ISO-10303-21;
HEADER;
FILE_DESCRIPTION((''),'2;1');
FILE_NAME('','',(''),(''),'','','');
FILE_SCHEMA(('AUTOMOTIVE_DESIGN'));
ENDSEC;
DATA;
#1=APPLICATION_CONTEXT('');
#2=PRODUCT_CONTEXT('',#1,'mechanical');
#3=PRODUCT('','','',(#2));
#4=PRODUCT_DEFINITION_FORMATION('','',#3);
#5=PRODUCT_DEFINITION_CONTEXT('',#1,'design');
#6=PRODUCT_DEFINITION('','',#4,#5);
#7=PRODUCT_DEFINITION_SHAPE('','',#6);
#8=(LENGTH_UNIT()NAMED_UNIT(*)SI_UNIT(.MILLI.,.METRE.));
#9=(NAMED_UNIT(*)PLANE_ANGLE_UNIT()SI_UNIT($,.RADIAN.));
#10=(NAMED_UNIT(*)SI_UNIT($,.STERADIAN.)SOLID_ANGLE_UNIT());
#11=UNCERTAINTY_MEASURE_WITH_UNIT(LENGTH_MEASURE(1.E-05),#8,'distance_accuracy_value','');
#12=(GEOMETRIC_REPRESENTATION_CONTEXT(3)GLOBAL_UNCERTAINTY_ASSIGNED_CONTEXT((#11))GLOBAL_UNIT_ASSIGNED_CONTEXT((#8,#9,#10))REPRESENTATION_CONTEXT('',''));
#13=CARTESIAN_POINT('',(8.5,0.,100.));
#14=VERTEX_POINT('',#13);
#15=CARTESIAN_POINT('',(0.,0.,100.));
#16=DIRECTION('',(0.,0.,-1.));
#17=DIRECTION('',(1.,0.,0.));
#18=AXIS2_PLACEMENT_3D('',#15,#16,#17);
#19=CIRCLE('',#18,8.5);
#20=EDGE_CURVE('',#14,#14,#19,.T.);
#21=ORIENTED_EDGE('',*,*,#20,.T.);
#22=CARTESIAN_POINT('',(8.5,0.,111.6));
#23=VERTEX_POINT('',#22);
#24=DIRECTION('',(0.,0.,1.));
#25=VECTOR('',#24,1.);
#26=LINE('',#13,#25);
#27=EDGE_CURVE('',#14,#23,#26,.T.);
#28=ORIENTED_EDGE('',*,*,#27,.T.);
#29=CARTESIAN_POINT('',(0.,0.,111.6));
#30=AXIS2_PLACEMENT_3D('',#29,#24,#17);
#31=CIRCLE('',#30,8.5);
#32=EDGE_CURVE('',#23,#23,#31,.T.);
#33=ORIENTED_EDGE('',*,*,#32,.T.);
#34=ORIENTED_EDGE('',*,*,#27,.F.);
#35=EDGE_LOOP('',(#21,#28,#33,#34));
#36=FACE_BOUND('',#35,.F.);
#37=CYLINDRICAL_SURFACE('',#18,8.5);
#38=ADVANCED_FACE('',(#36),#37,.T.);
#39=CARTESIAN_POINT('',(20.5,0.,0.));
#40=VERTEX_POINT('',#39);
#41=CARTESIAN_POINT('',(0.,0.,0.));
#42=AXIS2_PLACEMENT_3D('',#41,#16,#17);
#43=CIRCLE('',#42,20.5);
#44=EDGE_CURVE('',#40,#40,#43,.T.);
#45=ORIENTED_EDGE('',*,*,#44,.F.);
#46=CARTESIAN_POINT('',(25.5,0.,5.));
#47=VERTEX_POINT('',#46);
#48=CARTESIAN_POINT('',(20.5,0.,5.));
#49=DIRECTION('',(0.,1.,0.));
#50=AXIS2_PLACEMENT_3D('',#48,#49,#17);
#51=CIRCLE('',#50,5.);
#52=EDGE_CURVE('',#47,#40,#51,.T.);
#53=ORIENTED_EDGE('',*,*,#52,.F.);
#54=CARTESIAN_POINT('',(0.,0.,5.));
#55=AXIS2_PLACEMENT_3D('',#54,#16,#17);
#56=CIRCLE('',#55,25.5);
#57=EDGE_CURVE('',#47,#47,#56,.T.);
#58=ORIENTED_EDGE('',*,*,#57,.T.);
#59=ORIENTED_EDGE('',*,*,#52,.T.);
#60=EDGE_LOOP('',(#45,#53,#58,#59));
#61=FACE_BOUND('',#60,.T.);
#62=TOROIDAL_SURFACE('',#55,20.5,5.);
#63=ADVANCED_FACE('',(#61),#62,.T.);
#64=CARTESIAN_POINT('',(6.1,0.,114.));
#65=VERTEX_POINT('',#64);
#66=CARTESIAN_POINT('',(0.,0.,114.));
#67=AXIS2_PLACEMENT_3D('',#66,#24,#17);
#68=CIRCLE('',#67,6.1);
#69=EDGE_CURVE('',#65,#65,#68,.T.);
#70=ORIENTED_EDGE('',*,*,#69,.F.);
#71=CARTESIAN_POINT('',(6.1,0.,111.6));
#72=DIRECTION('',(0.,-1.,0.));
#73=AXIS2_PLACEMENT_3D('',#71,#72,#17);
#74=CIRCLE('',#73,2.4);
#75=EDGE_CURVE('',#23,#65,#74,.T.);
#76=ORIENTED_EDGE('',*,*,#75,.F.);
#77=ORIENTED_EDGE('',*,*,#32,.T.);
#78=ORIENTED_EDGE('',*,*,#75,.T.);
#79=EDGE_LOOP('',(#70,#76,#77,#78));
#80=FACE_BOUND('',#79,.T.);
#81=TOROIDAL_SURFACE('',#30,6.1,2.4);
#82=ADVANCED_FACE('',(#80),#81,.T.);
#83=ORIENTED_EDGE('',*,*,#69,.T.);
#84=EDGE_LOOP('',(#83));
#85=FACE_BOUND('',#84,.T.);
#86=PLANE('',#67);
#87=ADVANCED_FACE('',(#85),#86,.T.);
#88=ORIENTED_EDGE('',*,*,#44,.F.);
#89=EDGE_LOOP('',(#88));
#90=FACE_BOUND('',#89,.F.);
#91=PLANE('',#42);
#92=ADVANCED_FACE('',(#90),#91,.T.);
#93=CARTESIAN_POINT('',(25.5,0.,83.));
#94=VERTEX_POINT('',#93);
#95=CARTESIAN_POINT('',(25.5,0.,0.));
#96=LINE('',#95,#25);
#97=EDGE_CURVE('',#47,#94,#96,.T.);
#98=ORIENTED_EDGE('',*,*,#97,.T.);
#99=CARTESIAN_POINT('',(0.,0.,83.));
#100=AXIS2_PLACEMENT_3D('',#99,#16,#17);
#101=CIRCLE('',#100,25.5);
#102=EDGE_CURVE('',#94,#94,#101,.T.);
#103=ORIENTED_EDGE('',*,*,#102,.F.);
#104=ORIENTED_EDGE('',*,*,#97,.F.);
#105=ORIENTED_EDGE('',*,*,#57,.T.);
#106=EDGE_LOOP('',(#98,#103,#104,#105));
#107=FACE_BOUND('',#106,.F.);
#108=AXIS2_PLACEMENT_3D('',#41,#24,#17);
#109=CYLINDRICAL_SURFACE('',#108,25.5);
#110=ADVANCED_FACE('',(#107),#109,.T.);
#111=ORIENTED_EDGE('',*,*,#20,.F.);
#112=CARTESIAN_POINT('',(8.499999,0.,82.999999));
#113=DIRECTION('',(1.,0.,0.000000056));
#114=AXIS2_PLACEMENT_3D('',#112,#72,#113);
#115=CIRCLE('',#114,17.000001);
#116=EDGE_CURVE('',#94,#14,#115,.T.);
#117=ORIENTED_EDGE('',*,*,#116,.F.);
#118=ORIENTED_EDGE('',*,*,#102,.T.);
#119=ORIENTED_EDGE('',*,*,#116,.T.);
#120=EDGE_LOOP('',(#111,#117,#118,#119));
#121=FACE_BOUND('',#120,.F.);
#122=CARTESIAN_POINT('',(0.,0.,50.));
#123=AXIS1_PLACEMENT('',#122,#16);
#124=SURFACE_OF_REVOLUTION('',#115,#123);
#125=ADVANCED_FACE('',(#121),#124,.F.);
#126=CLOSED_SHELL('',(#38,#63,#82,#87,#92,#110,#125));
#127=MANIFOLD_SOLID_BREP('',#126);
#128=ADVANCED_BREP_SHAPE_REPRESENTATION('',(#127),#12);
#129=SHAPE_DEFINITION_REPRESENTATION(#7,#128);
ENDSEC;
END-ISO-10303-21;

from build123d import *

# Parameters (mm, degrees)
F2_R     = 8.5
F3_DEPTH = 14
F4_R     = 2.4
F5_R     = 5


with BuildPart() as f1:
    # F0 (on Front) → F1 (revolve)
    with BuildSketch(Plane.XZ):
        with BuildLine():
            Line((0, 100), (0, 0))
            Line((0, 0), (25.5, 0))
            Line((25.5, 0), (25.5, 83))
            ThreePointArc((25.5, 83), (20.520815, 95.020815), (8.5, 100))
            Line((8.5, 100), (0, 100))
        make_face()
    revolve(axis=Axis((0, 0, 50), (0, 0, -1)))

    # F2 (on face) → F3 (join)
    with BuildSketch(Plane.XY.offset(100)):
        Circle(F2_R)
    extrude(amount=F3_DEPTH)

    # F4
    f4_edges = [f1.edges().sort_by_distance(p)[0] for p in [
        (-8.5, 0, 114),
    ]]
    fillet(f4_edges, radius=F4_R)

    # F5
    f5_edges = [f1.edges().sort_by_distance(p)[0] for p in [
        (-25.5, 0, 0),
    ]]
    fillet(f5_edges, radius=F5_R)


solid = f1.part
